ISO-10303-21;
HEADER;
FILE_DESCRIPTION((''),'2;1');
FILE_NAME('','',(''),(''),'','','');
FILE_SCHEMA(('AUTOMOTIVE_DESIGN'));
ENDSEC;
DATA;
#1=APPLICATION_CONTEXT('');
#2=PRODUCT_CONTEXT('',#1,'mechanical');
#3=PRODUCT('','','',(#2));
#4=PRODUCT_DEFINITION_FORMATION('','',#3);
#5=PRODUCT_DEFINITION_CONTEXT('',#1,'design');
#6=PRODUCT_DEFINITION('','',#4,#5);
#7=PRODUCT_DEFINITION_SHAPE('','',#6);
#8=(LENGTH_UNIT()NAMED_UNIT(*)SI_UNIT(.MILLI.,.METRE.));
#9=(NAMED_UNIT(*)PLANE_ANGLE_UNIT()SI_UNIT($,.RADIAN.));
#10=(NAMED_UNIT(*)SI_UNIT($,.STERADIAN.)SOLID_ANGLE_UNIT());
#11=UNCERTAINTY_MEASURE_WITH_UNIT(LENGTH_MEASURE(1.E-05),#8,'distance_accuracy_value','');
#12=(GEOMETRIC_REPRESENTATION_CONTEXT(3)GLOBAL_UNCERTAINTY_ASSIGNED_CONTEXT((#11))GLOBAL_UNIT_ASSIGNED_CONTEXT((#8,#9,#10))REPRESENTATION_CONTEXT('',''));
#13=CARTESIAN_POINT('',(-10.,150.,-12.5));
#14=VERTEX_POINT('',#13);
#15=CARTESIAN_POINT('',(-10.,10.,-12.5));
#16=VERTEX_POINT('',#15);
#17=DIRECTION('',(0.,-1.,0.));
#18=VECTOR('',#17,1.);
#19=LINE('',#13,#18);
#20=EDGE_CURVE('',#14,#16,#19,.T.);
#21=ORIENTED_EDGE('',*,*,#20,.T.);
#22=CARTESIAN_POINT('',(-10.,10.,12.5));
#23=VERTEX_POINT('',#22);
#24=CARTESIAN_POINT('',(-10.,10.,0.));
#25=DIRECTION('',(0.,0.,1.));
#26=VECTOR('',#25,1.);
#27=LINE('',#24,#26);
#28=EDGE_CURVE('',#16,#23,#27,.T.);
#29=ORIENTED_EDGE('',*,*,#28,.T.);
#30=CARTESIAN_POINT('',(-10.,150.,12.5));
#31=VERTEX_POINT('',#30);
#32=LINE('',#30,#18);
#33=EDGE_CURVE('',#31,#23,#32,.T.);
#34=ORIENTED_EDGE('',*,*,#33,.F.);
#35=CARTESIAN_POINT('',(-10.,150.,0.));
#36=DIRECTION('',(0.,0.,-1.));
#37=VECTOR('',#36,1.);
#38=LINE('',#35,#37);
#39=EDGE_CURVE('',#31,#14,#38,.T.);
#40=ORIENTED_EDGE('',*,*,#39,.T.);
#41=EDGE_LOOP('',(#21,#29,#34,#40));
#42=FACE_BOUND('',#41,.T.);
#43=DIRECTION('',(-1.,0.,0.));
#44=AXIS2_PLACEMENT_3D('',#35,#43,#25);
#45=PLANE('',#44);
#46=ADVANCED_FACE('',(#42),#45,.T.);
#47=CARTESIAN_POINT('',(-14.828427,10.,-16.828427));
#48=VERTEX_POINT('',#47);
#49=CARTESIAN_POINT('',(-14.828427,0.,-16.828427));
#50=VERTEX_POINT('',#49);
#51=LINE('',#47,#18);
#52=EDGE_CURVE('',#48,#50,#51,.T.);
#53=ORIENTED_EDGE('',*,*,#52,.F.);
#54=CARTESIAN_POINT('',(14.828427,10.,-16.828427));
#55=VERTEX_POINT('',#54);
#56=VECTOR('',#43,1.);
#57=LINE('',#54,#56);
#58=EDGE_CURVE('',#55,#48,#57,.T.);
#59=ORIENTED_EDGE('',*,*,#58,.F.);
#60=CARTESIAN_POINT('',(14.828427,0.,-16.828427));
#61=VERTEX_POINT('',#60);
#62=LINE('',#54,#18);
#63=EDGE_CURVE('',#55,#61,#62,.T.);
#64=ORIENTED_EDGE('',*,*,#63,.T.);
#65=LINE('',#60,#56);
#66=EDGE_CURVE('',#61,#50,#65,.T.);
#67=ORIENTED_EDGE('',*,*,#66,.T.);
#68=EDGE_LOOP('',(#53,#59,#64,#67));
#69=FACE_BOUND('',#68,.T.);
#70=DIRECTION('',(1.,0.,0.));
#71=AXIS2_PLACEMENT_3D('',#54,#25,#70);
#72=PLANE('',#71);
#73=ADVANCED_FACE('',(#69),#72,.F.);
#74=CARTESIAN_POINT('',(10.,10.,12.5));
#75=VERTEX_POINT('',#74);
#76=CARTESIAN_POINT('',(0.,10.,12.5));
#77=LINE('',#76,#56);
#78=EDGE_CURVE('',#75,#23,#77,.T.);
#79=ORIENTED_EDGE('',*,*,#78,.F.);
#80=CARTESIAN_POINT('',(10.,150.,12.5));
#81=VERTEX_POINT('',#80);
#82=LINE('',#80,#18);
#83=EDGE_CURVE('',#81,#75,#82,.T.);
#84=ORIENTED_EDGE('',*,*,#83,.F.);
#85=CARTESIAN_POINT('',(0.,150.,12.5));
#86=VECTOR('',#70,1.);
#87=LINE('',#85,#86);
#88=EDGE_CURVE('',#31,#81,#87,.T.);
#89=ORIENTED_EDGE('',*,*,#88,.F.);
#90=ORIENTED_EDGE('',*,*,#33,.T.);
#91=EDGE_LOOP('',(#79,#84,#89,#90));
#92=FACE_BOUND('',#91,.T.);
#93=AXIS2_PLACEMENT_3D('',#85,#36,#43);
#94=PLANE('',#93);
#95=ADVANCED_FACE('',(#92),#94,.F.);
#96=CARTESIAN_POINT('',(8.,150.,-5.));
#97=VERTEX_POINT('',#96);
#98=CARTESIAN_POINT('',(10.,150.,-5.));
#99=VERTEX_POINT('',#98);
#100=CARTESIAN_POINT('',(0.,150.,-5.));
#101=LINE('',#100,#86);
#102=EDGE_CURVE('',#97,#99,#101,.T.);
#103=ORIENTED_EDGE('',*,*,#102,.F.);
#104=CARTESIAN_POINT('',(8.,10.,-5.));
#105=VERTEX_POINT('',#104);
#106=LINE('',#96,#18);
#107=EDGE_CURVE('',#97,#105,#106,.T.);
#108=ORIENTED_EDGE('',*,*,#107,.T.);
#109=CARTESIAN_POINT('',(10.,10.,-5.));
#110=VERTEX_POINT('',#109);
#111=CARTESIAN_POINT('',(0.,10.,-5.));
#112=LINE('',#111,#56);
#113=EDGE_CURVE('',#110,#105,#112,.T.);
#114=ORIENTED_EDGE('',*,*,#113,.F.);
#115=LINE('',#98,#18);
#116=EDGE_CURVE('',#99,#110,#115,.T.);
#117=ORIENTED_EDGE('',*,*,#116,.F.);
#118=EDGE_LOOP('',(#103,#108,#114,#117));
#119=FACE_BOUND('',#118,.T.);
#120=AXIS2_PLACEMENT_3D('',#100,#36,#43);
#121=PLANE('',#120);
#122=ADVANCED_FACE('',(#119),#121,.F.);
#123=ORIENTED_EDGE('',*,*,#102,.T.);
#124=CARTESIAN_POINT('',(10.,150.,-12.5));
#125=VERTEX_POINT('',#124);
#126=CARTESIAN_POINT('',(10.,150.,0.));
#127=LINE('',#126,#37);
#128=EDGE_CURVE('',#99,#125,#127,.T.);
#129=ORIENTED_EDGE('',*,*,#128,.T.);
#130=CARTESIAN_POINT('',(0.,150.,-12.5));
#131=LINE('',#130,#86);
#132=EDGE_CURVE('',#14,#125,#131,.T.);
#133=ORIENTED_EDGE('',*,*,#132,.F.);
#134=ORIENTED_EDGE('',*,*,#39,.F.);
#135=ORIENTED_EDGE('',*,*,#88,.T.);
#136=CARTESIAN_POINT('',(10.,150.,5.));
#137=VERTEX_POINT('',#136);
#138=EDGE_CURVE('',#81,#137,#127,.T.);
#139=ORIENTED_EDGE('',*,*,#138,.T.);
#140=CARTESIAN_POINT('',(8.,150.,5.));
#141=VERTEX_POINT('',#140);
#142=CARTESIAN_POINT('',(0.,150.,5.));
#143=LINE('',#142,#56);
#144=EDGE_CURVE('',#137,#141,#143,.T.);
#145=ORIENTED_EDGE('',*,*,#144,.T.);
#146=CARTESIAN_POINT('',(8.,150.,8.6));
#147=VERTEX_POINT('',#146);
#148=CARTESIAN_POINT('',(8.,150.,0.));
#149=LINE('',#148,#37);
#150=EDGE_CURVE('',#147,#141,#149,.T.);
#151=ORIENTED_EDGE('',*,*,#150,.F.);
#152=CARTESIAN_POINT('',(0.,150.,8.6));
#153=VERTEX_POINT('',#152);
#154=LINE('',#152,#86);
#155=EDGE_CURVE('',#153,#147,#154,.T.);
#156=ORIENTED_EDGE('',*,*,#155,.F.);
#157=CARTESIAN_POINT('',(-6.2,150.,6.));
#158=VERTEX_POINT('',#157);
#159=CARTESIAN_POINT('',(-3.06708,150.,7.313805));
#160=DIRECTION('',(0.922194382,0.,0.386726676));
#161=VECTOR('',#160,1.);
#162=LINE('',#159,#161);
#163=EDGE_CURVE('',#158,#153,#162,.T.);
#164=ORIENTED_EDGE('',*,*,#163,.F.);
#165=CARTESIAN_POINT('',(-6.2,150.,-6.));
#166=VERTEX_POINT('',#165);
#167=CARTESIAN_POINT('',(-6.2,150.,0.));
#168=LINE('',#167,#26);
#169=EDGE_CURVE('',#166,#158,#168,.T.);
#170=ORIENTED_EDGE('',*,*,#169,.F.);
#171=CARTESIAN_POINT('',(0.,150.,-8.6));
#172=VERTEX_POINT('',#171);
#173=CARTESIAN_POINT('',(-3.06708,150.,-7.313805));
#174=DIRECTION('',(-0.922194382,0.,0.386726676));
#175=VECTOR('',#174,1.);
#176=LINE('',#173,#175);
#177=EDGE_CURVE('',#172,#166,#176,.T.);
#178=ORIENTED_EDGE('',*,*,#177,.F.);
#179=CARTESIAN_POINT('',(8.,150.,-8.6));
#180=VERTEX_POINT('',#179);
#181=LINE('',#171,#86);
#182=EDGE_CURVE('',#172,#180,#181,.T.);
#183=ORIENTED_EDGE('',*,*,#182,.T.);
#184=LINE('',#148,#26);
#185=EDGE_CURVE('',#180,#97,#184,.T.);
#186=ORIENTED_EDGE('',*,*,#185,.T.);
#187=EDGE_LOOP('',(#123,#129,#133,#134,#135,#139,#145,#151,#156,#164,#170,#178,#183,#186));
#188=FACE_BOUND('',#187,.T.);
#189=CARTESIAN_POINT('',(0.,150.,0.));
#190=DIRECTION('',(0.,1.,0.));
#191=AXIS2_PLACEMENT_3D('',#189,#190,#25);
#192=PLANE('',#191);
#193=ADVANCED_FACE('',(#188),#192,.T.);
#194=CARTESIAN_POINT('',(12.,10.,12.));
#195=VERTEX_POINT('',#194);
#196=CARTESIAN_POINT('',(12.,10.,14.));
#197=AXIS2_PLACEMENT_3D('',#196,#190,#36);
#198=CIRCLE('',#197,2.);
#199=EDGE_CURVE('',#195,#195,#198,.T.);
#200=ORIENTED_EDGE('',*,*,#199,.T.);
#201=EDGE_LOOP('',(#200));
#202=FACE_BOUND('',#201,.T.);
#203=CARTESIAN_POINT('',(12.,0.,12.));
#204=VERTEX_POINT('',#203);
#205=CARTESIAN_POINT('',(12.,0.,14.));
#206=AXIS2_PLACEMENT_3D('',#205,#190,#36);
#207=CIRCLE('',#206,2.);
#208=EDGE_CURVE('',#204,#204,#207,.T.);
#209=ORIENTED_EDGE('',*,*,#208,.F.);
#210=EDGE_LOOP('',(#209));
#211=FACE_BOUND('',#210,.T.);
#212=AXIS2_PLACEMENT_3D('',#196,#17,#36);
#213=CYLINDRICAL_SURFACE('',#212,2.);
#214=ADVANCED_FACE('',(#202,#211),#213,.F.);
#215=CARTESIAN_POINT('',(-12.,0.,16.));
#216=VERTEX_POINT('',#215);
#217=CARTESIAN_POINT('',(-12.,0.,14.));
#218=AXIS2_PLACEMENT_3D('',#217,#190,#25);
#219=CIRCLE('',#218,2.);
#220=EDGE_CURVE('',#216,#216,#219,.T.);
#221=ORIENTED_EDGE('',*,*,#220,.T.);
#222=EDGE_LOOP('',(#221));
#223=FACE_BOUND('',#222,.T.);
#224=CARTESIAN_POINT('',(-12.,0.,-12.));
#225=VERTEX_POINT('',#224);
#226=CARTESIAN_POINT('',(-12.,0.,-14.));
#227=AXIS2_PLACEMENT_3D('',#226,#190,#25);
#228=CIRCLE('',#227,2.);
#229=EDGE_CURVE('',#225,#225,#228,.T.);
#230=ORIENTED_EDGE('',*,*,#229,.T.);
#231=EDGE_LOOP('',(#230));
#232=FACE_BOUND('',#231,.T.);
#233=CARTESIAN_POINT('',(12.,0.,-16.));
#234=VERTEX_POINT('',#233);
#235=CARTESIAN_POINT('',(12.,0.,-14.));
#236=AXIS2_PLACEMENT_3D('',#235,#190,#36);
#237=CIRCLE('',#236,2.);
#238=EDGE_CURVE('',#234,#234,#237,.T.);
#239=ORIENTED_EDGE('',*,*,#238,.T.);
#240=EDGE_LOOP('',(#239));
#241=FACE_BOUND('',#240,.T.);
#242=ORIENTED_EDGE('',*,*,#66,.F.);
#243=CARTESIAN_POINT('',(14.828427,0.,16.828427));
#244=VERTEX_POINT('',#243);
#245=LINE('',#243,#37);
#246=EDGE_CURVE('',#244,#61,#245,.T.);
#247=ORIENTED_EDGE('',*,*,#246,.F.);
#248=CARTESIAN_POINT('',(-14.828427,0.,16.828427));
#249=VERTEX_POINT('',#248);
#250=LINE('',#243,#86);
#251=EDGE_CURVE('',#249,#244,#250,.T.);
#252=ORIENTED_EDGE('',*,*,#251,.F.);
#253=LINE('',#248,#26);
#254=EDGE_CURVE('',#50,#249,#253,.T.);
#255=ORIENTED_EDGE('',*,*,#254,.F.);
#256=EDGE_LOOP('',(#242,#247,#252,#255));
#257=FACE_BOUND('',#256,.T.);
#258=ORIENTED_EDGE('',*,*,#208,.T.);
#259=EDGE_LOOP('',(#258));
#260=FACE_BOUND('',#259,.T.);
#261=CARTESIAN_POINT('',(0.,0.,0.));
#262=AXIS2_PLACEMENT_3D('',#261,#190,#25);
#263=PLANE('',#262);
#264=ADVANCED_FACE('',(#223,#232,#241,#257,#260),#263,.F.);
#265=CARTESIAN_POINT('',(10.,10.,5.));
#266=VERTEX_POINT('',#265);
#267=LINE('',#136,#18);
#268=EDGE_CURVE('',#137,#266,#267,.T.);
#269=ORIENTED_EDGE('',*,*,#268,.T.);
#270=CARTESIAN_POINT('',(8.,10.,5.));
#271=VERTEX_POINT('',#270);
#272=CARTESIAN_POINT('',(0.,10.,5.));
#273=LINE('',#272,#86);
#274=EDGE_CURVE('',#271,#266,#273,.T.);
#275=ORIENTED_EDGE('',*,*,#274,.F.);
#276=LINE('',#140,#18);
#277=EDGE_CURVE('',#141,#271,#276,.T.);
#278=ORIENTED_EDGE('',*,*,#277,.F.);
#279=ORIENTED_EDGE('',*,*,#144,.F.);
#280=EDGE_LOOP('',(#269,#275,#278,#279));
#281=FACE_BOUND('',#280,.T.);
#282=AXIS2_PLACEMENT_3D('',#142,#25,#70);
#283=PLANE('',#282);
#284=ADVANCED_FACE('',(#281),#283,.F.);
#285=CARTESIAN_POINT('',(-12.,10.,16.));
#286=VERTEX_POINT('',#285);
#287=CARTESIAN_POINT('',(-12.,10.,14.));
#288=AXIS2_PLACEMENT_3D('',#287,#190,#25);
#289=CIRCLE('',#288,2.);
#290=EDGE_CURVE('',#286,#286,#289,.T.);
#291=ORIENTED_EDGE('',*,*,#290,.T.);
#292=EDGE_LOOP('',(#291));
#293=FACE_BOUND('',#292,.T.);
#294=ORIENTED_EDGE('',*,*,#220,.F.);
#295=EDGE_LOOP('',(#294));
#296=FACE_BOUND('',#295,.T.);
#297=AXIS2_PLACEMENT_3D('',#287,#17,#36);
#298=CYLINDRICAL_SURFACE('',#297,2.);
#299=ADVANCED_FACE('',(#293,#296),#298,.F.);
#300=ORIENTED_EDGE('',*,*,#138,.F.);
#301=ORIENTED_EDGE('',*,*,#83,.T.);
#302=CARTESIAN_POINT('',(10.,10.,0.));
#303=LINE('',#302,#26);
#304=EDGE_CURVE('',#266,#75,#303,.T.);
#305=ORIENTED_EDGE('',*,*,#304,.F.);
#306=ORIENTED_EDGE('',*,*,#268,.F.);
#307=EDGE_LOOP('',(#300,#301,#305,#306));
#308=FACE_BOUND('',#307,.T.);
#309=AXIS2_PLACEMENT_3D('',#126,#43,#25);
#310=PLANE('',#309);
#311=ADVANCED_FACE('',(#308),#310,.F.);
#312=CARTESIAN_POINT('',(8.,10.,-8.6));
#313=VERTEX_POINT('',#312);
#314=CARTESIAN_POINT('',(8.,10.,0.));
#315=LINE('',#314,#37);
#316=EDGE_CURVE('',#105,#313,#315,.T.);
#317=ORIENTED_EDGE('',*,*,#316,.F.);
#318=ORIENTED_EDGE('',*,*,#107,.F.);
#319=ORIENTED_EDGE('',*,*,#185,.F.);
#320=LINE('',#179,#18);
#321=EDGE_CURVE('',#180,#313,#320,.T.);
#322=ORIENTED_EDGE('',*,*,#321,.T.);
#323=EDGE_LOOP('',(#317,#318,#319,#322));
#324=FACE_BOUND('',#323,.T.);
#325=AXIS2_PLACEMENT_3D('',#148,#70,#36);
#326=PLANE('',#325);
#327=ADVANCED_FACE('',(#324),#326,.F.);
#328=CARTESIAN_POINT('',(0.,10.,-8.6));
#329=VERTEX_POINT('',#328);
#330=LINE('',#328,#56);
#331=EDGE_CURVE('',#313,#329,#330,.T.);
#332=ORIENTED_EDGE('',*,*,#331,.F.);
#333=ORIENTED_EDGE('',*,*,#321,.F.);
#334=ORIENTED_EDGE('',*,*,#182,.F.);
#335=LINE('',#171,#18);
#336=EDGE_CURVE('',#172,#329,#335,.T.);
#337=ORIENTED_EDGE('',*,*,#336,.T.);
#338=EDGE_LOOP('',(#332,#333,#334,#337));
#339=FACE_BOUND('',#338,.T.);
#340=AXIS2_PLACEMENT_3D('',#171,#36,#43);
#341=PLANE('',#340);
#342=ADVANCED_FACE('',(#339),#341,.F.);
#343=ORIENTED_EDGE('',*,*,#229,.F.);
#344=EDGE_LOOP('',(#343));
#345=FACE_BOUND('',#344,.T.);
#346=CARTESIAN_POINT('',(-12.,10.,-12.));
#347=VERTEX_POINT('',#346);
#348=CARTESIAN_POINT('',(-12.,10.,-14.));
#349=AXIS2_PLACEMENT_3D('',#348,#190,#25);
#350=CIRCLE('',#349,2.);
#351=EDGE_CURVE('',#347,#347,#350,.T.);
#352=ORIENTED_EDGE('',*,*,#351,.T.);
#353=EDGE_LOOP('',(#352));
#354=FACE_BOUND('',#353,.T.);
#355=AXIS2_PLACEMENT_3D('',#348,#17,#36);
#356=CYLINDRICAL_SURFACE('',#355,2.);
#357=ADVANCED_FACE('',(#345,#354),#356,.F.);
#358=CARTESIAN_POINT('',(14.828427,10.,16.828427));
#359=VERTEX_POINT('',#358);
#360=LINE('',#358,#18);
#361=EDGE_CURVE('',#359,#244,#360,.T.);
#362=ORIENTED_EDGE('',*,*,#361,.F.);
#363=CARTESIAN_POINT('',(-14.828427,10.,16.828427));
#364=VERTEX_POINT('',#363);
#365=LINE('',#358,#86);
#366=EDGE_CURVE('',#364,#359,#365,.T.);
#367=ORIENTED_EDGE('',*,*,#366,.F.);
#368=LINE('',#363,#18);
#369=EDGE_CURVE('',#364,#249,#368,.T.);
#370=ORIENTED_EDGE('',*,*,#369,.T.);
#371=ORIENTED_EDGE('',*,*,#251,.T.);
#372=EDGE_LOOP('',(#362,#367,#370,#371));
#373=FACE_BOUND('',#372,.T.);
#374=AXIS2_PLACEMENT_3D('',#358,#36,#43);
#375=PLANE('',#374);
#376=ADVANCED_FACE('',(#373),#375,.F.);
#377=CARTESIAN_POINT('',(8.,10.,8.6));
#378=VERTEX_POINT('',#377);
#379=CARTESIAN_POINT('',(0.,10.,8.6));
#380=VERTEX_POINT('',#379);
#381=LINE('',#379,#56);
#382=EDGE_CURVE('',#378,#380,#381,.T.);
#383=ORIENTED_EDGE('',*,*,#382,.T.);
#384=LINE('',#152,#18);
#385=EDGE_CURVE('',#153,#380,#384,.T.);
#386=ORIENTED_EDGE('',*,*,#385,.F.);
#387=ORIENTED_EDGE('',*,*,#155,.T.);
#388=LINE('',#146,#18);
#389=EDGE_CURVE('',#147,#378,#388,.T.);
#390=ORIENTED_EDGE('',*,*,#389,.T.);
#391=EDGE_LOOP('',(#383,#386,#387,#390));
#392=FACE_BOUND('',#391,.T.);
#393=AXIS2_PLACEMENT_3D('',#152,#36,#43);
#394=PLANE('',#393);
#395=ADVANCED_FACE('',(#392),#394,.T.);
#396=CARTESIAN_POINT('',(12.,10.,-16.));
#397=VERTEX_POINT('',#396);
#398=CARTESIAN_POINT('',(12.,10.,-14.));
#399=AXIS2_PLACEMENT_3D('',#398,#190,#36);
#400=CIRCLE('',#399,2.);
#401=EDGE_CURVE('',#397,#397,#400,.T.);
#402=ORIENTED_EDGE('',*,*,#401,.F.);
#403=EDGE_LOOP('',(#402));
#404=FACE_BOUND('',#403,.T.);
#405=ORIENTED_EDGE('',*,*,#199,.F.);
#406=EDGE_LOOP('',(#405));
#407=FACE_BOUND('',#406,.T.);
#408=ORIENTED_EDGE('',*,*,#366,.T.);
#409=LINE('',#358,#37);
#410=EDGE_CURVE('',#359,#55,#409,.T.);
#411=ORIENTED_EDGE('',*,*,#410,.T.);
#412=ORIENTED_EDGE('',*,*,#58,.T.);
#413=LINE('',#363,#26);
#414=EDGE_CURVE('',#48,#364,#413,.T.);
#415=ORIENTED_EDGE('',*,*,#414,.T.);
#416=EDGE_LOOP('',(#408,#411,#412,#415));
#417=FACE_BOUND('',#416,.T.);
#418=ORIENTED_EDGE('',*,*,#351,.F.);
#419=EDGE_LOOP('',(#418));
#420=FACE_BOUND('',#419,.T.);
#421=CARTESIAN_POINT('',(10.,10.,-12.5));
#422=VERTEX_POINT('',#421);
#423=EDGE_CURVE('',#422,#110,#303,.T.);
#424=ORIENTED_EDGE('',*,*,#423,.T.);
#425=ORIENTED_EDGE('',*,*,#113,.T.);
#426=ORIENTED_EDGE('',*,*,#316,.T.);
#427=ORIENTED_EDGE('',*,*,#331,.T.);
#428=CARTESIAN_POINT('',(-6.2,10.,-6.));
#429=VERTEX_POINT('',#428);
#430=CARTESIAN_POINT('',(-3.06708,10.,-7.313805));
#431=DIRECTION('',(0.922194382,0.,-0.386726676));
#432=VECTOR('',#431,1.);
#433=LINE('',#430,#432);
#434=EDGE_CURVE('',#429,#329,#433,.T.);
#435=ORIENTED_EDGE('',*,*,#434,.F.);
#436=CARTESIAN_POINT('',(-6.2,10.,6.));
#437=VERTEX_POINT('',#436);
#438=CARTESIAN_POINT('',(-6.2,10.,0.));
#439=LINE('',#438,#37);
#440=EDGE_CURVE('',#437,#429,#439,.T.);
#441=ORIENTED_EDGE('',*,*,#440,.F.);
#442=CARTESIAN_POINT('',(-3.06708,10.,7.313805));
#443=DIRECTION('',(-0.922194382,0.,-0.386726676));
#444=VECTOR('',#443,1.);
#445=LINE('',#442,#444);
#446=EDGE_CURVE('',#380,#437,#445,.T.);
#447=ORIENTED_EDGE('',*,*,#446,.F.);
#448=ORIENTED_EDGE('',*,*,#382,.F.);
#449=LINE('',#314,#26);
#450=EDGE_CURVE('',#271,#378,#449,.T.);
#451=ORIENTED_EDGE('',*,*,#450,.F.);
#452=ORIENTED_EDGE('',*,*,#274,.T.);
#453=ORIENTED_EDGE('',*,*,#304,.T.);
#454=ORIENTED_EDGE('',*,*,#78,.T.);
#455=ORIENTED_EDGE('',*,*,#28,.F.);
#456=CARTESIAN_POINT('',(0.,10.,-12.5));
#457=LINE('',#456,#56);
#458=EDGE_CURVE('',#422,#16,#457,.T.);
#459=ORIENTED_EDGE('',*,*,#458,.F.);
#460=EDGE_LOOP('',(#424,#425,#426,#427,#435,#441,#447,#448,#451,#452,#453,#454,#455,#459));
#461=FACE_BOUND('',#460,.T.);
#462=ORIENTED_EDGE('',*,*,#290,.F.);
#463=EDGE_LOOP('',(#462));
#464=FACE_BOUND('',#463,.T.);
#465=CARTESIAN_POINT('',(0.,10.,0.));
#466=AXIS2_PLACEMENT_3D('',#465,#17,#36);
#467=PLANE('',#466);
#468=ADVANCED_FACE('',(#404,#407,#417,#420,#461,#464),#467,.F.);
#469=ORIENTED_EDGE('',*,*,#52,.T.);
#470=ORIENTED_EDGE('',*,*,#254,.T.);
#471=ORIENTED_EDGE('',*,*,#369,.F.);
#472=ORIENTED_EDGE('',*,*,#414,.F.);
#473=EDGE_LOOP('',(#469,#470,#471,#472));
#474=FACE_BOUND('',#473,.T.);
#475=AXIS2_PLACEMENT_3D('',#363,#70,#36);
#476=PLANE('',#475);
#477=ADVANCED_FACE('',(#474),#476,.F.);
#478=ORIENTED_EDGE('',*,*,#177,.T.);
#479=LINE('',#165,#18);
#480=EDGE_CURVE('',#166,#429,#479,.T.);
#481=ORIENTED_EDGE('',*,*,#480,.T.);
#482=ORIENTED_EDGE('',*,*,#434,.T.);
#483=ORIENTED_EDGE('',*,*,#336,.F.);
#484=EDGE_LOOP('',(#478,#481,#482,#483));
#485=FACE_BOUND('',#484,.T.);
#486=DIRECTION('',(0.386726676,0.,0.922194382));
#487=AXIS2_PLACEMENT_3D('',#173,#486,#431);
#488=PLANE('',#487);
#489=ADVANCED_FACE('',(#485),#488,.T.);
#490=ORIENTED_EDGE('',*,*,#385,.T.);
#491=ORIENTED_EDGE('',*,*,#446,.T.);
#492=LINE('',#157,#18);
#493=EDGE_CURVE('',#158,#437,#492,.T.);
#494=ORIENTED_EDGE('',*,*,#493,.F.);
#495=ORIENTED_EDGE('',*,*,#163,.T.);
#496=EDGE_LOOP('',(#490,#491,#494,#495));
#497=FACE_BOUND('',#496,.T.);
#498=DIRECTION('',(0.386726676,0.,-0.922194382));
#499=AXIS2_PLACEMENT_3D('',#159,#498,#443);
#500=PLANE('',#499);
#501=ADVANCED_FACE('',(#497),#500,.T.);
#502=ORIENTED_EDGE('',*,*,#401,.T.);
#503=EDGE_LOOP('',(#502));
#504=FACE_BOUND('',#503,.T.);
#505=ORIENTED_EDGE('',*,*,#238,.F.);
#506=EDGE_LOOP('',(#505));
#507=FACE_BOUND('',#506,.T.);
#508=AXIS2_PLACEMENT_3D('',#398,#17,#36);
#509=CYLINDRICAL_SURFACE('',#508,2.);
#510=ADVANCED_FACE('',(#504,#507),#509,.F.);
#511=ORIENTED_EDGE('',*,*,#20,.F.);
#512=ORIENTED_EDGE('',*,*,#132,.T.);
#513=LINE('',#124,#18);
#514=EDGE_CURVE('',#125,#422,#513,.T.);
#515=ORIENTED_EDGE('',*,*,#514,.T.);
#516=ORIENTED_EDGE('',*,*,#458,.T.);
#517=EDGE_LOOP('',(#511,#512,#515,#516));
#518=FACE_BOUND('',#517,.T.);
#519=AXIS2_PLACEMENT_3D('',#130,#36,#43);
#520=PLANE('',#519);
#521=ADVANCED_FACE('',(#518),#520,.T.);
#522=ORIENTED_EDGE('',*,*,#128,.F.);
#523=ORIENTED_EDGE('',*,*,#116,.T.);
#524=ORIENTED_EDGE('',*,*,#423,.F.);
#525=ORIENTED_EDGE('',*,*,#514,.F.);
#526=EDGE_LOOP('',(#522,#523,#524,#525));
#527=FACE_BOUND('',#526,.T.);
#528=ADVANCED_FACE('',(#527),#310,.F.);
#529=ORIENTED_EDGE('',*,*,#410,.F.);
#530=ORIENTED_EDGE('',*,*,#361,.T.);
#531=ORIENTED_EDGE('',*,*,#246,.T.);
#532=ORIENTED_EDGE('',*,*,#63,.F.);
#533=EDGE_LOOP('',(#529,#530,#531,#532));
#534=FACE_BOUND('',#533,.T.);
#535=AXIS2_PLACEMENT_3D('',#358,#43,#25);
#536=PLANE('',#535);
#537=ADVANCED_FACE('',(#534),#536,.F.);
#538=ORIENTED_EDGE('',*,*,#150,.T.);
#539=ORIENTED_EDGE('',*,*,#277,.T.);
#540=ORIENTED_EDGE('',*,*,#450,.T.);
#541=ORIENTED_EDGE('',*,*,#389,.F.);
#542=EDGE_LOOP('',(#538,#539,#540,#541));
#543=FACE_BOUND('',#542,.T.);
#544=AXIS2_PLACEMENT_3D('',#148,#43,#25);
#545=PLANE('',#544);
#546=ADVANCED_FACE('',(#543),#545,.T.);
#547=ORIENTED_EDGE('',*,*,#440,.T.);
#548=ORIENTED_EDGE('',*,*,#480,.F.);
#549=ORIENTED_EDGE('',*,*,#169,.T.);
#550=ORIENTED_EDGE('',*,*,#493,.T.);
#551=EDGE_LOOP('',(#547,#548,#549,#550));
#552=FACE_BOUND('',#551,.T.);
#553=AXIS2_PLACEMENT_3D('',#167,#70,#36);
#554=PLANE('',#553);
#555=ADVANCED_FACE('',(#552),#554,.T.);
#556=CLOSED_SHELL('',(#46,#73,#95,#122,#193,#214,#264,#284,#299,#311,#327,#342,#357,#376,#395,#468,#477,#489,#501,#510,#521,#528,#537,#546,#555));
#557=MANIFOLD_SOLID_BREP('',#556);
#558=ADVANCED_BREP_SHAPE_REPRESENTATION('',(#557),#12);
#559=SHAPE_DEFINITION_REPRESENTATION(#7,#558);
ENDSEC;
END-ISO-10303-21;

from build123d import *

# Parameters (mm, degrees)
BOSS_EXTRUDE2_DEPTH = 150
SKETCH3_W           = 29.65685425
SKETCH3_H           = 33.65685425
SKETCH3_R           = 2
BOSS_EXTRUDE3_DEPTH = 10


with BuildPart() as part:
    # Sketch1 → Boss-Extrude2 (new body)
    with BuildSketch(Plane(origin=(0, 0, 0), x_dir=(1, 0, 0), z_dir=(0, 1, 0))):
        Polygon((-10, 12.5), (-10, -12.5), (10, -12.5), (10, -5), (8, -5), (8, -8.6), (0, -8.6), (-6.2, -6), (-6.2, 0), (-6.2, 6), (0, 8.6), (8, 8.6), (8, 5), (10, 5), (10, 12.5), align=None)
    extrude(amount=BOSS_EXTRUDE2_DEPTH)

    # Sketch3 → Boss-Extrude3 (add)
    with BuildSketch(Plane(origin=(0, 0, 0), x_dir=(1, 0, 0), z_dir=(0, 1, 0))):
        Rectangle(SKETCH3_W, SKETCH3_H)
        with Locations(Location((-12, 14, 0), (0, 0, 270))):
            Circle(SKETCH3_R, mode=Mode.SUBTRACT)
        with Locations(Location((-12, -14, 0), (0, 0, 270))):
            Circle(SKETCH3_R, mode=Mode.SUBTRACT)
        with Locations(Location((12, 14, 0), (0, 0, 90))):
            Circle(SKETCH3_R, mode=Mode.SUBTRACT)
        with Locations(Location((12, -14, 0), (0, 0, 90))):
            Circle(SKETCH3_R, mode=Mode.SUBTRACT)
    extrude(amount=BOSS_EXTRUDE3_DEPTH)


solid = part.part
